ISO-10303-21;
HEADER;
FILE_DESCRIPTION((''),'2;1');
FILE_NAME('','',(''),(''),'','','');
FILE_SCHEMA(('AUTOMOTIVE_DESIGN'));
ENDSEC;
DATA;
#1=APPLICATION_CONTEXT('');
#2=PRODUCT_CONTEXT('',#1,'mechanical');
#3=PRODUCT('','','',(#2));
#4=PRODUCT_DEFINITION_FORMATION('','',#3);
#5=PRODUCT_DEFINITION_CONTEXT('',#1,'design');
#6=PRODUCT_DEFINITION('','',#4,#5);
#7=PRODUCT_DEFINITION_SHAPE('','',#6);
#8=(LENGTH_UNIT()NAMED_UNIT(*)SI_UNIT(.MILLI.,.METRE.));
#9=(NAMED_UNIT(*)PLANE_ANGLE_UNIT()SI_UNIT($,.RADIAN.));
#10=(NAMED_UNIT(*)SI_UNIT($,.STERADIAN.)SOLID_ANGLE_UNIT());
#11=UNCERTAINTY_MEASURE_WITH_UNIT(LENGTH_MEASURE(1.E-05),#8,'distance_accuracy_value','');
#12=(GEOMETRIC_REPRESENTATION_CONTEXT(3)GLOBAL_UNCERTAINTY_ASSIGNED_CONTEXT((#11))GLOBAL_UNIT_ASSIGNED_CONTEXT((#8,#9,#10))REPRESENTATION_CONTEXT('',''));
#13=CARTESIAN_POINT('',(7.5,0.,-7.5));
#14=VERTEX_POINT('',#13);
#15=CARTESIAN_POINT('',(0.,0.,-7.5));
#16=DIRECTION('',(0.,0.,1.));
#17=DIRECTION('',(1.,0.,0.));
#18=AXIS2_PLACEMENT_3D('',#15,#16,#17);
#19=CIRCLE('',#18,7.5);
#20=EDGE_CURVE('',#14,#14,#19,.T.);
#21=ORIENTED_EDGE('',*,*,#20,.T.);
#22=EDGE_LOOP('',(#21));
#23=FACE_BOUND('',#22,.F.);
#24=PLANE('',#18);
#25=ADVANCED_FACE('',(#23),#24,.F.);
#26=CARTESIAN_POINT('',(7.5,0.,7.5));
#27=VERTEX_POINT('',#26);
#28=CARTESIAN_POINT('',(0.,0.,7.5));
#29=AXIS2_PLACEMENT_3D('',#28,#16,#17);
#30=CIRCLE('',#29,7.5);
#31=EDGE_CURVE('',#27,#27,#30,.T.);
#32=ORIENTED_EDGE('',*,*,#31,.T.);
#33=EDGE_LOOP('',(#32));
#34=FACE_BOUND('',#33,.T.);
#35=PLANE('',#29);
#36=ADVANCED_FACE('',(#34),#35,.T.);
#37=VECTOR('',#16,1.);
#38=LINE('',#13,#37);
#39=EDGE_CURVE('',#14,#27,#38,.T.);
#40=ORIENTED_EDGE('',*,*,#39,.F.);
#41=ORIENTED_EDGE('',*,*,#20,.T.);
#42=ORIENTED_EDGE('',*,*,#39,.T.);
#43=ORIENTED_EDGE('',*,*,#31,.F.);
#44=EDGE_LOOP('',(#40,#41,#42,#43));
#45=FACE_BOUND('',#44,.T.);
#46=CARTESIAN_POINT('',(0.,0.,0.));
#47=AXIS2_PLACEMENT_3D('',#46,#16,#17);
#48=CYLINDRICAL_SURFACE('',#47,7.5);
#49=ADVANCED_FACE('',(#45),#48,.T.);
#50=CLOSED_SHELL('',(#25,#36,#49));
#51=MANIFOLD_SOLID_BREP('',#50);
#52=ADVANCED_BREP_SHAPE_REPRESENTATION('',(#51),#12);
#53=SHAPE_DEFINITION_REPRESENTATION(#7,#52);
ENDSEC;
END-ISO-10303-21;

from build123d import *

# Parameters (mm, degrees)
SKIZZE1_R                       = 7.5
AUFSATZ_LINEAR_AUSTRAGEN1_DEPTH = 7.5


with BuildPart() as part:
    # Skizze1 → Aufsatz-Linear austragen1 (new body, symmetric)
    with BuildSketch(Plane.XY):
        Circle(SKIZZE1_R)
    extrude(amount=AUFSATZ_LINEAR_AUSTRAGEN1_DEPTH, both=True)


solid = part.part
